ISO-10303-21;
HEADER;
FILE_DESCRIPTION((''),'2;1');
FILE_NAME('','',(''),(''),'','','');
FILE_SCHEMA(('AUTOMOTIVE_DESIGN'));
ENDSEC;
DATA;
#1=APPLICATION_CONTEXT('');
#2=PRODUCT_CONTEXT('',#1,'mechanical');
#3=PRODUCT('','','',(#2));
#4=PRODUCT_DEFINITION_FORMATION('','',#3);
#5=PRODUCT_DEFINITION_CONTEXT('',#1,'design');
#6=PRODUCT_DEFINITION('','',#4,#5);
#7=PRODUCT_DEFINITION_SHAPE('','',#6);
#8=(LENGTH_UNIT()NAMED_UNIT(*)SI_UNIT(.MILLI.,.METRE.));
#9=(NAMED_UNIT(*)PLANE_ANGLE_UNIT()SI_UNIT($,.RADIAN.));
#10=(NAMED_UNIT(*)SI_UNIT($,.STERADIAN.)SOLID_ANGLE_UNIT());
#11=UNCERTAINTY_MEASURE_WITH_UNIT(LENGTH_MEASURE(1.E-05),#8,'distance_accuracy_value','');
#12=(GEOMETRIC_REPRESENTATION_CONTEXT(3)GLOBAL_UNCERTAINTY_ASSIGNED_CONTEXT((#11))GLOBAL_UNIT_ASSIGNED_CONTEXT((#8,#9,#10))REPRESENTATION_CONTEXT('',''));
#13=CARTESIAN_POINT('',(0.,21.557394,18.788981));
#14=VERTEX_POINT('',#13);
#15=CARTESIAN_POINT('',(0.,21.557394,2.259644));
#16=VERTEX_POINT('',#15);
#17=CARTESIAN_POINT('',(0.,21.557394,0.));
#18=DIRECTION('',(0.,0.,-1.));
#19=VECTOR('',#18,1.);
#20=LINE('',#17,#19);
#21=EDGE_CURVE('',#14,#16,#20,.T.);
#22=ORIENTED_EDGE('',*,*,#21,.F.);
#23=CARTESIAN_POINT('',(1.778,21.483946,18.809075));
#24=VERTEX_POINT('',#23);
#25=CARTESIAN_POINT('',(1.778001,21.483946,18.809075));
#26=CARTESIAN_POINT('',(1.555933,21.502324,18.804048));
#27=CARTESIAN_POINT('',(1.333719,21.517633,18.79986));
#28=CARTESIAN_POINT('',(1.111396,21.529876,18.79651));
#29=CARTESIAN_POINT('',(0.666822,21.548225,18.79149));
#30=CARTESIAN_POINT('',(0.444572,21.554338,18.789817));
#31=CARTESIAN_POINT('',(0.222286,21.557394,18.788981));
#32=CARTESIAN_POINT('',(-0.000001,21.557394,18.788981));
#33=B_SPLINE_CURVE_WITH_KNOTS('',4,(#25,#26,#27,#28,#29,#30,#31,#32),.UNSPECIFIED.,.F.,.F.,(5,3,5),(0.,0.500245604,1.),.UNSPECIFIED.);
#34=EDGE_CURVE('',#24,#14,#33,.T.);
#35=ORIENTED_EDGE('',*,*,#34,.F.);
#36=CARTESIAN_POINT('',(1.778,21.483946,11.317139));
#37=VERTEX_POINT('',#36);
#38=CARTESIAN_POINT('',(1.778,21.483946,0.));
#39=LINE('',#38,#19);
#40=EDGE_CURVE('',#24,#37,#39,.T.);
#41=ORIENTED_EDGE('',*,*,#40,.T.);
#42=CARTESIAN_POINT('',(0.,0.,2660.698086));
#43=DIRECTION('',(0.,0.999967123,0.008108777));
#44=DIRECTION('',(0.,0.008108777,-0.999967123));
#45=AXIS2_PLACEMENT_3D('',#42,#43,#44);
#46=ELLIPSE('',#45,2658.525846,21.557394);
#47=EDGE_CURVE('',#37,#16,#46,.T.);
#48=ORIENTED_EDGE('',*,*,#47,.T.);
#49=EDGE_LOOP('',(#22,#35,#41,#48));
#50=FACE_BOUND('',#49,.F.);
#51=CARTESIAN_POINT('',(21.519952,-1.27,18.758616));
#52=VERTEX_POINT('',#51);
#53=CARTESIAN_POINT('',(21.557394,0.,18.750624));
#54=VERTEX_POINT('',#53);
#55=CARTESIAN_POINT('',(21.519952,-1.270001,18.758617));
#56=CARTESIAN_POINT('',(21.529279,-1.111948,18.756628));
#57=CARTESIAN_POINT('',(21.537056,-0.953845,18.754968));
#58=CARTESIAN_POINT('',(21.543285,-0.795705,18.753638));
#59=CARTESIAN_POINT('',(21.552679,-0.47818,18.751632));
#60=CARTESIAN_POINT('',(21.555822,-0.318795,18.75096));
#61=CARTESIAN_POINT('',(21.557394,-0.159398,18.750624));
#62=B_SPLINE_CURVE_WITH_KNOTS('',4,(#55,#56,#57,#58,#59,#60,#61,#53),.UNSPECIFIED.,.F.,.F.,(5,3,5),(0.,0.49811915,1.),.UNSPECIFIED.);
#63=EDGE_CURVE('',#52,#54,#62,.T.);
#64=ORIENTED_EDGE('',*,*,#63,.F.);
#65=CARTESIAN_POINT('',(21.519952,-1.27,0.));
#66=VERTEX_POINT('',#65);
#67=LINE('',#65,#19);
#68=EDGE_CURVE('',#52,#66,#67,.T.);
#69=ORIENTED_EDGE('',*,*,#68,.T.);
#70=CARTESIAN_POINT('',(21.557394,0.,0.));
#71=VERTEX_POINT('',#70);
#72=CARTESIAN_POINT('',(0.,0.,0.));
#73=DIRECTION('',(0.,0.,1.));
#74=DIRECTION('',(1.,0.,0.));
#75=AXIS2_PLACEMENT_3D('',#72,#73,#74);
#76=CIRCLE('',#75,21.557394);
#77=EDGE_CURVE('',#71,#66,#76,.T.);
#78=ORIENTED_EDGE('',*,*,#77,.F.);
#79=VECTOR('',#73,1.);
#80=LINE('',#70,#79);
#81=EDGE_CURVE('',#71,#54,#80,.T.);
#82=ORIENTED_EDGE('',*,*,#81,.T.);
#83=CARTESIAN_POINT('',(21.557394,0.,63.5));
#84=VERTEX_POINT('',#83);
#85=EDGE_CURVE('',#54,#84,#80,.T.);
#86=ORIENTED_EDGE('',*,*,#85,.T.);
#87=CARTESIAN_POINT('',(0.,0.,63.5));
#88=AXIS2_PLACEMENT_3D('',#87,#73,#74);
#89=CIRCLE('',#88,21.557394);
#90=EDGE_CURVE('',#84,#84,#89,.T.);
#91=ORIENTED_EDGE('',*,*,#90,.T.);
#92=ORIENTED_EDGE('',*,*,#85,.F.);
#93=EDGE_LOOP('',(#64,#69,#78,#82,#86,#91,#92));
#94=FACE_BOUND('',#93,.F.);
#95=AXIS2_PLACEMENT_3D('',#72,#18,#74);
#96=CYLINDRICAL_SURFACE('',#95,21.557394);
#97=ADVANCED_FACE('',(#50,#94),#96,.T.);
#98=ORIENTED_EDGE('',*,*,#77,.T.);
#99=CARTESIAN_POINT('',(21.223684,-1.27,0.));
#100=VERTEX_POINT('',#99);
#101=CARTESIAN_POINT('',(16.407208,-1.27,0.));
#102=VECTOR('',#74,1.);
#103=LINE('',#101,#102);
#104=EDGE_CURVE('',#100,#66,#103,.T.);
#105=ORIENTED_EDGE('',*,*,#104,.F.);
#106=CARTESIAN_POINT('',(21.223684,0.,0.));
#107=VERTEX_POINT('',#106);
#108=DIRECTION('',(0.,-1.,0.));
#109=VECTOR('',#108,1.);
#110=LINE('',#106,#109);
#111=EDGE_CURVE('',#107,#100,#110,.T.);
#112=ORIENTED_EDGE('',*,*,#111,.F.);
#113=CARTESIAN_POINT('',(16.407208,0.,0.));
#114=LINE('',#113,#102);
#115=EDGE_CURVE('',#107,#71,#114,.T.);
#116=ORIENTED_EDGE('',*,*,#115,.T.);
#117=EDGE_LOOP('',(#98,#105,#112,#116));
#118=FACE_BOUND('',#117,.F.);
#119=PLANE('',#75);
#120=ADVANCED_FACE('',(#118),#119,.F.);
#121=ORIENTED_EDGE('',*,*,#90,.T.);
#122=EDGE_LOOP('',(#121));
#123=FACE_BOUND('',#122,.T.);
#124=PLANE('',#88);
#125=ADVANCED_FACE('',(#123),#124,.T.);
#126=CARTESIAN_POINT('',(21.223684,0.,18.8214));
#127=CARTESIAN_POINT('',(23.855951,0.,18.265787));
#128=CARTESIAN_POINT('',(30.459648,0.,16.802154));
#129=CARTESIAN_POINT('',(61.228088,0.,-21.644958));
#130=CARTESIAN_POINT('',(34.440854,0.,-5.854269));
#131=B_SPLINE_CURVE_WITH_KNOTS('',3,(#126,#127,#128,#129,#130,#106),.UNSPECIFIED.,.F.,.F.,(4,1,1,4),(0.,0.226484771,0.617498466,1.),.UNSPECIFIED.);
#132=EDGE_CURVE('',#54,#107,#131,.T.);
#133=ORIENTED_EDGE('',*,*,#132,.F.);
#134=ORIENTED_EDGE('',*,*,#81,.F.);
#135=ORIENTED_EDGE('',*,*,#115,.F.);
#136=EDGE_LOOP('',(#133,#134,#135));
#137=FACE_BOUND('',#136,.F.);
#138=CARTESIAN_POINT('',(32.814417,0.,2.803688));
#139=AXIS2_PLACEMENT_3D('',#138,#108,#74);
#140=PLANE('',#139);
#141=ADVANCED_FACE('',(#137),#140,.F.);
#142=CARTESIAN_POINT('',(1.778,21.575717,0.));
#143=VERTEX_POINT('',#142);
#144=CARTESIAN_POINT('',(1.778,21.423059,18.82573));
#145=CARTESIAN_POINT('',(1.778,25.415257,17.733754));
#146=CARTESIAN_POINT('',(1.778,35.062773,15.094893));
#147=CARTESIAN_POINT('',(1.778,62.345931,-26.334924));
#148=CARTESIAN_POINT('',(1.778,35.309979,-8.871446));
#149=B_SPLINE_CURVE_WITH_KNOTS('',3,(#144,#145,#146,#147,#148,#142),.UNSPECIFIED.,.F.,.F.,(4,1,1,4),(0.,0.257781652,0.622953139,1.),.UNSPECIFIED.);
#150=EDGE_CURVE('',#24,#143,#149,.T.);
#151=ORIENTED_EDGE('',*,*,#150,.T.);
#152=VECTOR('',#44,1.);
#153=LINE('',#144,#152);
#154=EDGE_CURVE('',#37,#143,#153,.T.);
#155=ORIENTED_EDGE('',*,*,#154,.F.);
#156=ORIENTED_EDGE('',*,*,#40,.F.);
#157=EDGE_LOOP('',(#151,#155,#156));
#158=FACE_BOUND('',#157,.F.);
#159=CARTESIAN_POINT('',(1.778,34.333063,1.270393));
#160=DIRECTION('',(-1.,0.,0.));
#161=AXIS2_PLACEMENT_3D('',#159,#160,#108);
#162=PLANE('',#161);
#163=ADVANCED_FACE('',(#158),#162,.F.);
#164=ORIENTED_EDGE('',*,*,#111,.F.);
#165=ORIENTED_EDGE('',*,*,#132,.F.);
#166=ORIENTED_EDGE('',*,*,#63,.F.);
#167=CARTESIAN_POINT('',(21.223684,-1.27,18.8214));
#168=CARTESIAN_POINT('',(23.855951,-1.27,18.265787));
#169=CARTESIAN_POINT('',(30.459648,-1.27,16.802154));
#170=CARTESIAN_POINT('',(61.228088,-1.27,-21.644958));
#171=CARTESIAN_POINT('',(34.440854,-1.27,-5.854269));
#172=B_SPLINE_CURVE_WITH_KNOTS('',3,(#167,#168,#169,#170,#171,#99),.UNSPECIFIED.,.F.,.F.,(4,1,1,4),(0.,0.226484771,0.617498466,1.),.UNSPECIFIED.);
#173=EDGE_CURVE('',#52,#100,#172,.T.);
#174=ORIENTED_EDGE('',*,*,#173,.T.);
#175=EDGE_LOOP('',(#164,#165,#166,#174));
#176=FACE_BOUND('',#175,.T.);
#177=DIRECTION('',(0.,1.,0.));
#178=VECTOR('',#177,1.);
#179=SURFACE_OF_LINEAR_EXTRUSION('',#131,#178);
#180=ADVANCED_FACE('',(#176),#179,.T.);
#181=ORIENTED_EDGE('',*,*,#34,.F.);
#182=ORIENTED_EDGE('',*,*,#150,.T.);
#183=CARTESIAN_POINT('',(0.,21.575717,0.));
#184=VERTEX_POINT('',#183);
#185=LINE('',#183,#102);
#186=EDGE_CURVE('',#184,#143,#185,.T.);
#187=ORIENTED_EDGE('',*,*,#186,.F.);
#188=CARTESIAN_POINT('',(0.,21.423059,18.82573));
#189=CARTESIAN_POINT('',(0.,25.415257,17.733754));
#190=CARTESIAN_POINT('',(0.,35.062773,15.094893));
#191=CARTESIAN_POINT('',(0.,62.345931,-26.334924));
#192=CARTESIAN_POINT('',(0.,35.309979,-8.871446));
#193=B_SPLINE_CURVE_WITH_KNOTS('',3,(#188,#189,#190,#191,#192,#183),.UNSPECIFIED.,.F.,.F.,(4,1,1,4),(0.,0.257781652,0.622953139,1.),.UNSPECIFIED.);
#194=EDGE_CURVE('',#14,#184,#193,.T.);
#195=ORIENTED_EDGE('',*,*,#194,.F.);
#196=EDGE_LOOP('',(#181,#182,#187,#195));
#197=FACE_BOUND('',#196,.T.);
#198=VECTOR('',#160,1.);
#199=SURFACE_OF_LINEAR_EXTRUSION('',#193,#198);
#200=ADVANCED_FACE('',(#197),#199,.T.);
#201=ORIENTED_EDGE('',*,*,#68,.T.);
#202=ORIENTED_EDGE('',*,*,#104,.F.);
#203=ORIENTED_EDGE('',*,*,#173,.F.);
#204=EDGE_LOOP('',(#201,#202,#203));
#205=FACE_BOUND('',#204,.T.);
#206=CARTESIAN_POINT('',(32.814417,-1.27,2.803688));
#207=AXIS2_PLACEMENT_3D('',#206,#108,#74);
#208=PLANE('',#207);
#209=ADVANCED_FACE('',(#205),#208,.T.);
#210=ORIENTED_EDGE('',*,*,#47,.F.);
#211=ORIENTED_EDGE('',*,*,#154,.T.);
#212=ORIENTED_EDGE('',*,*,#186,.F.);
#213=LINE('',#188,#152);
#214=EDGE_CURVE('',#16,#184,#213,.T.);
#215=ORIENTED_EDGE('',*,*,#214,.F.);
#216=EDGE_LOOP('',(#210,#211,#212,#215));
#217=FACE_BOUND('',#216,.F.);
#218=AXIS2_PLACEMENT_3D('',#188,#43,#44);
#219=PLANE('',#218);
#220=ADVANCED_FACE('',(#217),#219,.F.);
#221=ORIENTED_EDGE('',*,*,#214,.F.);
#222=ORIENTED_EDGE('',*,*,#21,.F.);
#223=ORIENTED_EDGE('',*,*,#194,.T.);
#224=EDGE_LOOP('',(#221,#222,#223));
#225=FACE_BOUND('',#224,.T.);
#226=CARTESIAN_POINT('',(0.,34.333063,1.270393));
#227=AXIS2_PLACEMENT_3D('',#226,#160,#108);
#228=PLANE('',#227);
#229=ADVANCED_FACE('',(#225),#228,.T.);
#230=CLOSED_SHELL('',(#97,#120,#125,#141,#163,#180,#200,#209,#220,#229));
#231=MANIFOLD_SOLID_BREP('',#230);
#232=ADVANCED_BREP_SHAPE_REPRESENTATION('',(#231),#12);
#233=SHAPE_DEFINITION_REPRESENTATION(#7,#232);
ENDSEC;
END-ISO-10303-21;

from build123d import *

# Parameters (mm, degrees)
F0_R     = 21.5573937043
F1_DEPTH = 63.5
F3_DEPTH = 1.778
F5_DEPTH = 1.27


with BuildPart() as f1:
    # F0 (on Top) → F1 (new body)
    with BuildSketch(Plane.XY):
        Circle(F0_R)
    extrude(amount=F1_DEPTH)

    # F2 (on Right) → F3 (join)
    with BuildSketch(Plane.YZ):
        with BuildLine():
            add(Edge.make_bspline(
                [(21.4230585843, 18.8257303089), (25.4152571812, 17.7337542467), (35.0627733159, 15.0948933727), (62.3459313723, -26.3349238901), (35.309978925, -8.8714455783), (21.5757172555, 0)],
                knots=[0, 0, 0, 0, 0.257781652, 0.6229531389, 1, 1, 1, 1], degree=3))
            Line((21.4230585843, 18.8257303089), (21.5757172555, 0))
        make_face()
    extrude(amount=F3_DEPTH)

    # F4 (on Front) → F5 (join)
    with BuildSketch(Plane.XZ):
        with BuildLine():
            Line((21.2236842012, 18.8214), (21.2236842012, 0))
            add(Edge.make_bspline(
                [(21.2236842012, 18.8214), (23.8559514528, 18.2657870203), (30.4596483204, 16.8021538854), (61.2280877119, -21.6449576492), (34.4408537462, -5.8542687668), (21.2236842012, 0)],
                knots=[0, 0, 0, 0, 0.2264847707, 0.6174984663, 1, 1, 1, 1], degree=3))
        make_face()
    extrude(amount=F5_DEPTH)


solid = f1.part
